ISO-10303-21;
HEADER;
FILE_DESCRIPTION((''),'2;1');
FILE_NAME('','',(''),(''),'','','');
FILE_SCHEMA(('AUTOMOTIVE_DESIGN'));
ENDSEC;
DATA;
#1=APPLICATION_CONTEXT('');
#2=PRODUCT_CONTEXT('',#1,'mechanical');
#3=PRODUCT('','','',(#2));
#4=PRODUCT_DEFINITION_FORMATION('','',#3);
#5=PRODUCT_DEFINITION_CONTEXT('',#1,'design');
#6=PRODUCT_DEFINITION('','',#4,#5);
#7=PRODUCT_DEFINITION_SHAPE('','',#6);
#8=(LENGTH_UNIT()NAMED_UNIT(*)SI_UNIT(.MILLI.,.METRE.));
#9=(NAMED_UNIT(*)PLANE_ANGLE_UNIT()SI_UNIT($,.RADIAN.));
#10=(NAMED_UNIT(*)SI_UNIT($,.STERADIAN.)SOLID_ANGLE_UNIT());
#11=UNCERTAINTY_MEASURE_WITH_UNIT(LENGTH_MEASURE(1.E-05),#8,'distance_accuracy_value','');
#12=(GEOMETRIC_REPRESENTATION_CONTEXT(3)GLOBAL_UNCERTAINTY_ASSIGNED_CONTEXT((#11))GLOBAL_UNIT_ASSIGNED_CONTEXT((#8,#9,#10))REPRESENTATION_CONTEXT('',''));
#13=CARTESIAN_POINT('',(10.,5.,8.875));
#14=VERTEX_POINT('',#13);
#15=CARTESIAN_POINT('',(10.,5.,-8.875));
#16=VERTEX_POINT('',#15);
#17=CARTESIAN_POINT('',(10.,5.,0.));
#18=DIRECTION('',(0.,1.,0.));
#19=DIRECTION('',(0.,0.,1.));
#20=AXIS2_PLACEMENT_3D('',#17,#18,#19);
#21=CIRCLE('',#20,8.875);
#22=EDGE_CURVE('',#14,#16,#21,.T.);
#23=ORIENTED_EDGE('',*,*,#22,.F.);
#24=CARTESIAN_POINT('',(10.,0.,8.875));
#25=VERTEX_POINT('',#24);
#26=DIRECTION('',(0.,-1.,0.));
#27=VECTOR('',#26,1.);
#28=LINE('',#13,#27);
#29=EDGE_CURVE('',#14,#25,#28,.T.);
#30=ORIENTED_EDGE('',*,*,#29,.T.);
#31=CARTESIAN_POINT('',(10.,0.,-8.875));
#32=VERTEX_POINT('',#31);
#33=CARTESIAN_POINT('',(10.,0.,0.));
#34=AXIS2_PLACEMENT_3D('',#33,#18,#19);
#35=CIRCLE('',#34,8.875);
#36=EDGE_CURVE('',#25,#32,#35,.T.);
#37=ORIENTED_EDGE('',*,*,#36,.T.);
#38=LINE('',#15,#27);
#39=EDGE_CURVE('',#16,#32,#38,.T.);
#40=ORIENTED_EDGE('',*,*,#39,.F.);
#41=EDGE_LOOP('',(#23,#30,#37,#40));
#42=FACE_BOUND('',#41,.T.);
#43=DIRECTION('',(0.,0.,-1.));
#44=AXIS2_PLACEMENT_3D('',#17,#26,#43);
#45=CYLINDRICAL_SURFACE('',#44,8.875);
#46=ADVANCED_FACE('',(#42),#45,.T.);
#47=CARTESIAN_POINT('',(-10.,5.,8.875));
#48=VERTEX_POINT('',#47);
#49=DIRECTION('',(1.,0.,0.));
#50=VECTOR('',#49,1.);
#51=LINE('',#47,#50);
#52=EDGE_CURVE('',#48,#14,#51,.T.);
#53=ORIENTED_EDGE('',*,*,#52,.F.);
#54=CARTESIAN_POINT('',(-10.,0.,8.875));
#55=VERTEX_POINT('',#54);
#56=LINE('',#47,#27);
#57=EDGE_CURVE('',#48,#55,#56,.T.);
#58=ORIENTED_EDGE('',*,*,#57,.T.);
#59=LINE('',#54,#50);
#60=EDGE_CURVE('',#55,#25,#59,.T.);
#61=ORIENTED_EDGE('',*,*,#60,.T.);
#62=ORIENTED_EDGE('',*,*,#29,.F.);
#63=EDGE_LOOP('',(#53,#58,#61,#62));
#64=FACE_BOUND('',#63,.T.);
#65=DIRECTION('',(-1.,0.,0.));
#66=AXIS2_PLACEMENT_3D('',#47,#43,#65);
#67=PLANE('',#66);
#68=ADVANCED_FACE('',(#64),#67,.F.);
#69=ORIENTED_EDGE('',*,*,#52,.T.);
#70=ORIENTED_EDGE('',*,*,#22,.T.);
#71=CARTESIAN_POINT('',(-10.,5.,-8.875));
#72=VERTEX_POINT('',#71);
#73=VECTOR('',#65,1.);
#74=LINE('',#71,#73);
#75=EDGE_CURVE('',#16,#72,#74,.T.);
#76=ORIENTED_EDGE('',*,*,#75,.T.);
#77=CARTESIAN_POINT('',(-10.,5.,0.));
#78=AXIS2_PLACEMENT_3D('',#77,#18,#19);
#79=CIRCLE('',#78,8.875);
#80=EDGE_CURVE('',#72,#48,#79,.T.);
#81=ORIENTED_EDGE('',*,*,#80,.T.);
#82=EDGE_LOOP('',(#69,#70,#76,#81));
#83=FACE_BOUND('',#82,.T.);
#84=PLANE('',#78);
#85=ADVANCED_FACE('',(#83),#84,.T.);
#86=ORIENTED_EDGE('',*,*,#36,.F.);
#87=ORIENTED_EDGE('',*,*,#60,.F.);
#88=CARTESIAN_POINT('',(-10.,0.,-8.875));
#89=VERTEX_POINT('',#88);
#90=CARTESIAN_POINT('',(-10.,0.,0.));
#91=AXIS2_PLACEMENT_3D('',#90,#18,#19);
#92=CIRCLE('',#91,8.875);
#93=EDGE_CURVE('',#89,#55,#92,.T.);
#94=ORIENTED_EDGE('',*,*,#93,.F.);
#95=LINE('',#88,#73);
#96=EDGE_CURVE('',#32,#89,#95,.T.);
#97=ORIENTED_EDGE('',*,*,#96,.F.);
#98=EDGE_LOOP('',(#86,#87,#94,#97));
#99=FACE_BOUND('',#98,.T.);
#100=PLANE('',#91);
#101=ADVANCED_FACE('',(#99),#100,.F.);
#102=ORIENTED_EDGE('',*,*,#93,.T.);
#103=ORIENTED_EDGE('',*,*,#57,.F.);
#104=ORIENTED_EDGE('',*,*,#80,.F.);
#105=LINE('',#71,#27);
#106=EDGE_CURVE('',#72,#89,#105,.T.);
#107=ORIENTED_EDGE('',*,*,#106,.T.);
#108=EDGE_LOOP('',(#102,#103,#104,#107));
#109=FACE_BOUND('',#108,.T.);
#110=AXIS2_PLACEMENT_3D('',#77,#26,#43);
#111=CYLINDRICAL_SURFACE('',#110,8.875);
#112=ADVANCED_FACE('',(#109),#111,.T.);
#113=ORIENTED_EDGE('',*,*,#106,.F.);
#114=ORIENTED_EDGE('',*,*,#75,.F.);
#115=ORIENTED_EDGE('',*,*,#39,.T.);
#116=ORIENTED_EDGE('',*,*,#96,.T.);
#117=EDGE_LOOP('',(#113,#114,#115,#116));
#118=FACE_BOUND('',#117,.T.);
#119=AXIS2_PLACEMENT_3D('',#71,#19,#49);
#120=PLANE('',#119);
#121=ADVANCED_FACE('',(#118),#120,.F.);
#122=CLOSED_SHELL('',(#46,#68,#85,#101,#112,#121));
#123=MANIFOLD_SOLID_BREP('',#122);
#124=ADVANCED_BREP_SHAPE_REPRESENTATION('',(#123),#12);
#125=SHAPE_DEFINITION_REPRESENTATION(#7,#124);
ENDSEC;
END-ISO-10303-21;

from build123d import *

# Parameters (mm, degrees)
AUFSATZ_LINEAR_AUSTRAGEN1_DEPTH = 5


with BuildPart() as part:
    # Skizze1 → Aufsatz-Linear austragen1 (new body)
    with BuildSketch(Plane(origin=(0, 0, 0), x_dir=(1, 0, 0), z_dir=(0, 1, 0))):
        with BuildLine():
            Line((-10, 8.875), (10, 8.875))
            ThreePointArc((10, 8.875), (18.875, 0), (10, -8.875))
            Line((10, -8.875), (-10, -8.875))
            ThreePointArc((-10, -8.875), (-18.875, 0), (-10, 8.875))
        make_face()
    extrude(amount=AUFSATZ_LINEAR_AUSTRAGEN1_DEPTH)


solid = part.part
